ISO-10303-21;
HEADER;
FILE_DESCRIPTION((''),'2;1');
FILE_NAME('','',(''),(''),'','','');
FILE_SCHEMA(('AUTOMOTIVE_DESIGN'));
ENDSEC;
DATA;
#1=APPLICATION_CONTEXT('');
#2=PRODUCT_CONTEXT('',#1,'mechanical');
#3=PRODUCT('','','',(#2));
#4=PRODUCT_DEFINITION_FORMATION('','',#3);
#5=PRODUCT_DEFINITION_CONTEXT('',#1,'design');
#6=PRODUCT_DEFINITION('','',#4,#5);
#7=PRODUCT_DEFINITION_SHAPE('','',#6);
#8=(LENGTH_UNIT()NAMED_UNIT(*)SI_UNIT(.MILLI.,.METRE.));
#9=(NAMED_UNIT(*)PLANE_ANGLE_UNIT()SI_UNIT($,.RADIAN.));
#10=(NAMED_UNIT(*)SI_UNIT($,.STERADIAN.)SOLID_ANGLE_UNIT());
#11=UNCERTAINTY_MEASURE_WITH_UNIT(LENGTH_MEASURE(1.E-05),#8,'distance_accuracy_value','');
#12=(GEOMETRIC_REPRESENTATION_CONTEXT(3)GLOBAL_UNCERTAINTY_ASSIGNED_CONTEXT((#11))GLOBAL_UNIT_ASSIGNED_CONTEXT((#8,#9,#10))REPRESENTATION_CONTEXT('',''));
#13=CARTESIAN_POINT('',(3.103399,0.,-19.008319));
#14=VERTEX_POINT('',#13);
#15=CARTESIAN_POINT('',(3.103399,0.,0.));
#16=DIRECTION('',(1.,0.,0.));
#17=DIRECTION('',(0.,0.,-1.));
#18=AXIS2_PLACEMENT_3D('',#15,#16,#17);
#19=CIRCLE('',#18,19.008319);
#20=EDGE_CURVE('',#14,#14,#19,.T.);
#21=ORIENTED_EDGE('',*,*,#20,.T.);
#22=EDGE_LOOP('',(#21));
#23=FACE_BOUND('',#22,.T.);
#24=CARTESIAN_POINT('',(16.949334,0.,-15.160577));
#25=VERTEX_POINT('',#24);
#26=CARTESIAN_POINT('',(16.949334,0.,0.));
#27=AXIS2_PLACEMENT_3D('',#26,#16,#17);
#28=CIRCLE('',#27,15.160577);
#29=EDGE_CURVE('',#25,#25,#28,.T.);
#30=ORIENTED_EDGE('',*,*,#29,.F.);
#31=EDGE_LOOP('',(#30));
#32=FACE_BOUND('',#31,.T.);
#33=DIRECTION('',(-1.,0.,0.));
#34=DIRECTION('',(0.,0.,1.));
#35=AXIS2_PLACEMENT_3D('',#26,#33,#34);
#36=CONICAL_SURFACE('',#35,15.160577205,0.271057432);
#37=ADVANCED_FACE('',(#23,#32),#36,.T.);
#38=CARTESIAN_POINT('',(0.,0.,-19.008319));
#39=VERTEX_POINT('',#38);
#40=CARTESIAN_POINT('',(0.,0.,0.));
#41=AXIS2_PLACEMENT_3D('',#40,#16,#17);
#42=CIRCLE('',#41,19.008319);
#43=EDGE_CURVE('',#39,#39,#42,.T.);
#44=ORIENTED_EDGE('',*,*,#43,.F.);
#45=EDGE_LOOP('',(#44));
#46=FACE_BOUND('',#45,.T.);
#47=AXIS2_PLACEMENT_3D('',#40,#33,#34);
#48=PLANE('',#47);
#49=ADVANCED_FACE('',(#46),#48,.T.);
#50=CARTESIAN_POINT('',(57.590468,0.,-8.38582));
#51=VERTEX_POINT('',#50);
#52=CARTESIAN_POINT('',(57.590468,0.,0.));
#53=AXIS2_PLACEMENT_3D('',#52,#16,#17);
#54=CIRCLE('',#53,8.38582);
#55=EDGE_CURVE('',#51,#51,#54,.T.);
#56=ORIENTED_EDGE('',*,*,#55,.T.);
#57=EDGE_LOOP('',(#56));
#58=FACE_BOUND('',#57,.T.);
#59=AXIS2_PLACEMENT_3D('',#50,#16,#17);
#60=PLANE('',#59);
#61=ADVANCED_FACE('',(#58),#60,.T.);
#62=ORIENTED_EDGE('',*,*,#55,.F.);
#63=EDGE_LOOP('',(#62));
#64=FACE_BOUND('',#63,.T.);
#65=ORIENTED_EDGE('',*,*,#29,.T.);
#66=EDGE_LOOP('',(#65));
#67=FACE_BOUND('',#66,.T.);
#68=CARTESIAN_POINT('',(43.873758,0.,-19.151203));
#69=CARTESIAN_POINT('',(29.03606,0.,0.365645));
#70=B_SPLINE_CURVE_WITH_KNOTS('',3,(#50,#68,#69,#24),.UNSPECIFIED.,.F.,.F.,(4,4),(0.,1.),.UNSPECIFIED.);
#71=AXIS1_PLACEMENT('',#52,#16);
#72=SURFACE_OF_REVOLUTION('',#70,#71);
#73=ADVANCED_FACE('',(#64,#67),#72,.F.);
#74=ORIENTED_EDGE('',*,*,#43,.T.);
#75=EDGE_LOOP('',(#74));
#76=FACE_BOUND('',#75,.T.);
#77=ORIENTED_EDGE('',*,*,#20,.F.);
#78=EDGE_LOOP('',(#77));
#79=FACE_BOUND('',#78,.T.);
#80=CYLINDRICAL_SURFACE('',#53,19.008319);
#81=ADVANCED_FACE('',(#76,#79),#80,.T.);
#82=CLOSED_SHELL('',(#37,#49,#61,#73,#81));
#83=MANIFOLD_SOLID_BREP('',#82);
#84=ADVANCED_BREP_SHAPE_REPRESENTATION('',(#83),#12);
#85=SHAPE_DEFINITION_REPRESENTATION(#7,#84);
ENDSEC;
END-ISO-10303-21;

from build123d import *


with BuildPart() as part:
    # 草圖2 → 旋轉1 (revolve)
    with BuildSketch(Plane(origin=(0, 0, 0), x_dir=(1, 0, 0), z_dir=(0, 1, 0))):
        with BuildLine():
            Line((0, 0), (0, 19.008319468))
            Line((0, 19.008319468), (3.103399097, 19.008319468))
            Line((3.103399097, 19.008319468), (16.949333772, 15.160577205))
            add(Edge.make_bspline(
                [(16.949333772, 15.160577205), (29.03605975, -0.365645484), (43.873758232, 19.151202723), (57.590468472, 8.385819717)],
                knots=[0, 0, 0, 0, 1, 1, 1, 1], degree=3))
            Line((57.590468472, 8.385819717), (57.590468472, 0))
            Line((57.590468472, 0), (0, 0))
        make_face()
    revolve(axis=Axis((57.590468472, 0, 0), (-1, 0, 0)))


solid = part.part
